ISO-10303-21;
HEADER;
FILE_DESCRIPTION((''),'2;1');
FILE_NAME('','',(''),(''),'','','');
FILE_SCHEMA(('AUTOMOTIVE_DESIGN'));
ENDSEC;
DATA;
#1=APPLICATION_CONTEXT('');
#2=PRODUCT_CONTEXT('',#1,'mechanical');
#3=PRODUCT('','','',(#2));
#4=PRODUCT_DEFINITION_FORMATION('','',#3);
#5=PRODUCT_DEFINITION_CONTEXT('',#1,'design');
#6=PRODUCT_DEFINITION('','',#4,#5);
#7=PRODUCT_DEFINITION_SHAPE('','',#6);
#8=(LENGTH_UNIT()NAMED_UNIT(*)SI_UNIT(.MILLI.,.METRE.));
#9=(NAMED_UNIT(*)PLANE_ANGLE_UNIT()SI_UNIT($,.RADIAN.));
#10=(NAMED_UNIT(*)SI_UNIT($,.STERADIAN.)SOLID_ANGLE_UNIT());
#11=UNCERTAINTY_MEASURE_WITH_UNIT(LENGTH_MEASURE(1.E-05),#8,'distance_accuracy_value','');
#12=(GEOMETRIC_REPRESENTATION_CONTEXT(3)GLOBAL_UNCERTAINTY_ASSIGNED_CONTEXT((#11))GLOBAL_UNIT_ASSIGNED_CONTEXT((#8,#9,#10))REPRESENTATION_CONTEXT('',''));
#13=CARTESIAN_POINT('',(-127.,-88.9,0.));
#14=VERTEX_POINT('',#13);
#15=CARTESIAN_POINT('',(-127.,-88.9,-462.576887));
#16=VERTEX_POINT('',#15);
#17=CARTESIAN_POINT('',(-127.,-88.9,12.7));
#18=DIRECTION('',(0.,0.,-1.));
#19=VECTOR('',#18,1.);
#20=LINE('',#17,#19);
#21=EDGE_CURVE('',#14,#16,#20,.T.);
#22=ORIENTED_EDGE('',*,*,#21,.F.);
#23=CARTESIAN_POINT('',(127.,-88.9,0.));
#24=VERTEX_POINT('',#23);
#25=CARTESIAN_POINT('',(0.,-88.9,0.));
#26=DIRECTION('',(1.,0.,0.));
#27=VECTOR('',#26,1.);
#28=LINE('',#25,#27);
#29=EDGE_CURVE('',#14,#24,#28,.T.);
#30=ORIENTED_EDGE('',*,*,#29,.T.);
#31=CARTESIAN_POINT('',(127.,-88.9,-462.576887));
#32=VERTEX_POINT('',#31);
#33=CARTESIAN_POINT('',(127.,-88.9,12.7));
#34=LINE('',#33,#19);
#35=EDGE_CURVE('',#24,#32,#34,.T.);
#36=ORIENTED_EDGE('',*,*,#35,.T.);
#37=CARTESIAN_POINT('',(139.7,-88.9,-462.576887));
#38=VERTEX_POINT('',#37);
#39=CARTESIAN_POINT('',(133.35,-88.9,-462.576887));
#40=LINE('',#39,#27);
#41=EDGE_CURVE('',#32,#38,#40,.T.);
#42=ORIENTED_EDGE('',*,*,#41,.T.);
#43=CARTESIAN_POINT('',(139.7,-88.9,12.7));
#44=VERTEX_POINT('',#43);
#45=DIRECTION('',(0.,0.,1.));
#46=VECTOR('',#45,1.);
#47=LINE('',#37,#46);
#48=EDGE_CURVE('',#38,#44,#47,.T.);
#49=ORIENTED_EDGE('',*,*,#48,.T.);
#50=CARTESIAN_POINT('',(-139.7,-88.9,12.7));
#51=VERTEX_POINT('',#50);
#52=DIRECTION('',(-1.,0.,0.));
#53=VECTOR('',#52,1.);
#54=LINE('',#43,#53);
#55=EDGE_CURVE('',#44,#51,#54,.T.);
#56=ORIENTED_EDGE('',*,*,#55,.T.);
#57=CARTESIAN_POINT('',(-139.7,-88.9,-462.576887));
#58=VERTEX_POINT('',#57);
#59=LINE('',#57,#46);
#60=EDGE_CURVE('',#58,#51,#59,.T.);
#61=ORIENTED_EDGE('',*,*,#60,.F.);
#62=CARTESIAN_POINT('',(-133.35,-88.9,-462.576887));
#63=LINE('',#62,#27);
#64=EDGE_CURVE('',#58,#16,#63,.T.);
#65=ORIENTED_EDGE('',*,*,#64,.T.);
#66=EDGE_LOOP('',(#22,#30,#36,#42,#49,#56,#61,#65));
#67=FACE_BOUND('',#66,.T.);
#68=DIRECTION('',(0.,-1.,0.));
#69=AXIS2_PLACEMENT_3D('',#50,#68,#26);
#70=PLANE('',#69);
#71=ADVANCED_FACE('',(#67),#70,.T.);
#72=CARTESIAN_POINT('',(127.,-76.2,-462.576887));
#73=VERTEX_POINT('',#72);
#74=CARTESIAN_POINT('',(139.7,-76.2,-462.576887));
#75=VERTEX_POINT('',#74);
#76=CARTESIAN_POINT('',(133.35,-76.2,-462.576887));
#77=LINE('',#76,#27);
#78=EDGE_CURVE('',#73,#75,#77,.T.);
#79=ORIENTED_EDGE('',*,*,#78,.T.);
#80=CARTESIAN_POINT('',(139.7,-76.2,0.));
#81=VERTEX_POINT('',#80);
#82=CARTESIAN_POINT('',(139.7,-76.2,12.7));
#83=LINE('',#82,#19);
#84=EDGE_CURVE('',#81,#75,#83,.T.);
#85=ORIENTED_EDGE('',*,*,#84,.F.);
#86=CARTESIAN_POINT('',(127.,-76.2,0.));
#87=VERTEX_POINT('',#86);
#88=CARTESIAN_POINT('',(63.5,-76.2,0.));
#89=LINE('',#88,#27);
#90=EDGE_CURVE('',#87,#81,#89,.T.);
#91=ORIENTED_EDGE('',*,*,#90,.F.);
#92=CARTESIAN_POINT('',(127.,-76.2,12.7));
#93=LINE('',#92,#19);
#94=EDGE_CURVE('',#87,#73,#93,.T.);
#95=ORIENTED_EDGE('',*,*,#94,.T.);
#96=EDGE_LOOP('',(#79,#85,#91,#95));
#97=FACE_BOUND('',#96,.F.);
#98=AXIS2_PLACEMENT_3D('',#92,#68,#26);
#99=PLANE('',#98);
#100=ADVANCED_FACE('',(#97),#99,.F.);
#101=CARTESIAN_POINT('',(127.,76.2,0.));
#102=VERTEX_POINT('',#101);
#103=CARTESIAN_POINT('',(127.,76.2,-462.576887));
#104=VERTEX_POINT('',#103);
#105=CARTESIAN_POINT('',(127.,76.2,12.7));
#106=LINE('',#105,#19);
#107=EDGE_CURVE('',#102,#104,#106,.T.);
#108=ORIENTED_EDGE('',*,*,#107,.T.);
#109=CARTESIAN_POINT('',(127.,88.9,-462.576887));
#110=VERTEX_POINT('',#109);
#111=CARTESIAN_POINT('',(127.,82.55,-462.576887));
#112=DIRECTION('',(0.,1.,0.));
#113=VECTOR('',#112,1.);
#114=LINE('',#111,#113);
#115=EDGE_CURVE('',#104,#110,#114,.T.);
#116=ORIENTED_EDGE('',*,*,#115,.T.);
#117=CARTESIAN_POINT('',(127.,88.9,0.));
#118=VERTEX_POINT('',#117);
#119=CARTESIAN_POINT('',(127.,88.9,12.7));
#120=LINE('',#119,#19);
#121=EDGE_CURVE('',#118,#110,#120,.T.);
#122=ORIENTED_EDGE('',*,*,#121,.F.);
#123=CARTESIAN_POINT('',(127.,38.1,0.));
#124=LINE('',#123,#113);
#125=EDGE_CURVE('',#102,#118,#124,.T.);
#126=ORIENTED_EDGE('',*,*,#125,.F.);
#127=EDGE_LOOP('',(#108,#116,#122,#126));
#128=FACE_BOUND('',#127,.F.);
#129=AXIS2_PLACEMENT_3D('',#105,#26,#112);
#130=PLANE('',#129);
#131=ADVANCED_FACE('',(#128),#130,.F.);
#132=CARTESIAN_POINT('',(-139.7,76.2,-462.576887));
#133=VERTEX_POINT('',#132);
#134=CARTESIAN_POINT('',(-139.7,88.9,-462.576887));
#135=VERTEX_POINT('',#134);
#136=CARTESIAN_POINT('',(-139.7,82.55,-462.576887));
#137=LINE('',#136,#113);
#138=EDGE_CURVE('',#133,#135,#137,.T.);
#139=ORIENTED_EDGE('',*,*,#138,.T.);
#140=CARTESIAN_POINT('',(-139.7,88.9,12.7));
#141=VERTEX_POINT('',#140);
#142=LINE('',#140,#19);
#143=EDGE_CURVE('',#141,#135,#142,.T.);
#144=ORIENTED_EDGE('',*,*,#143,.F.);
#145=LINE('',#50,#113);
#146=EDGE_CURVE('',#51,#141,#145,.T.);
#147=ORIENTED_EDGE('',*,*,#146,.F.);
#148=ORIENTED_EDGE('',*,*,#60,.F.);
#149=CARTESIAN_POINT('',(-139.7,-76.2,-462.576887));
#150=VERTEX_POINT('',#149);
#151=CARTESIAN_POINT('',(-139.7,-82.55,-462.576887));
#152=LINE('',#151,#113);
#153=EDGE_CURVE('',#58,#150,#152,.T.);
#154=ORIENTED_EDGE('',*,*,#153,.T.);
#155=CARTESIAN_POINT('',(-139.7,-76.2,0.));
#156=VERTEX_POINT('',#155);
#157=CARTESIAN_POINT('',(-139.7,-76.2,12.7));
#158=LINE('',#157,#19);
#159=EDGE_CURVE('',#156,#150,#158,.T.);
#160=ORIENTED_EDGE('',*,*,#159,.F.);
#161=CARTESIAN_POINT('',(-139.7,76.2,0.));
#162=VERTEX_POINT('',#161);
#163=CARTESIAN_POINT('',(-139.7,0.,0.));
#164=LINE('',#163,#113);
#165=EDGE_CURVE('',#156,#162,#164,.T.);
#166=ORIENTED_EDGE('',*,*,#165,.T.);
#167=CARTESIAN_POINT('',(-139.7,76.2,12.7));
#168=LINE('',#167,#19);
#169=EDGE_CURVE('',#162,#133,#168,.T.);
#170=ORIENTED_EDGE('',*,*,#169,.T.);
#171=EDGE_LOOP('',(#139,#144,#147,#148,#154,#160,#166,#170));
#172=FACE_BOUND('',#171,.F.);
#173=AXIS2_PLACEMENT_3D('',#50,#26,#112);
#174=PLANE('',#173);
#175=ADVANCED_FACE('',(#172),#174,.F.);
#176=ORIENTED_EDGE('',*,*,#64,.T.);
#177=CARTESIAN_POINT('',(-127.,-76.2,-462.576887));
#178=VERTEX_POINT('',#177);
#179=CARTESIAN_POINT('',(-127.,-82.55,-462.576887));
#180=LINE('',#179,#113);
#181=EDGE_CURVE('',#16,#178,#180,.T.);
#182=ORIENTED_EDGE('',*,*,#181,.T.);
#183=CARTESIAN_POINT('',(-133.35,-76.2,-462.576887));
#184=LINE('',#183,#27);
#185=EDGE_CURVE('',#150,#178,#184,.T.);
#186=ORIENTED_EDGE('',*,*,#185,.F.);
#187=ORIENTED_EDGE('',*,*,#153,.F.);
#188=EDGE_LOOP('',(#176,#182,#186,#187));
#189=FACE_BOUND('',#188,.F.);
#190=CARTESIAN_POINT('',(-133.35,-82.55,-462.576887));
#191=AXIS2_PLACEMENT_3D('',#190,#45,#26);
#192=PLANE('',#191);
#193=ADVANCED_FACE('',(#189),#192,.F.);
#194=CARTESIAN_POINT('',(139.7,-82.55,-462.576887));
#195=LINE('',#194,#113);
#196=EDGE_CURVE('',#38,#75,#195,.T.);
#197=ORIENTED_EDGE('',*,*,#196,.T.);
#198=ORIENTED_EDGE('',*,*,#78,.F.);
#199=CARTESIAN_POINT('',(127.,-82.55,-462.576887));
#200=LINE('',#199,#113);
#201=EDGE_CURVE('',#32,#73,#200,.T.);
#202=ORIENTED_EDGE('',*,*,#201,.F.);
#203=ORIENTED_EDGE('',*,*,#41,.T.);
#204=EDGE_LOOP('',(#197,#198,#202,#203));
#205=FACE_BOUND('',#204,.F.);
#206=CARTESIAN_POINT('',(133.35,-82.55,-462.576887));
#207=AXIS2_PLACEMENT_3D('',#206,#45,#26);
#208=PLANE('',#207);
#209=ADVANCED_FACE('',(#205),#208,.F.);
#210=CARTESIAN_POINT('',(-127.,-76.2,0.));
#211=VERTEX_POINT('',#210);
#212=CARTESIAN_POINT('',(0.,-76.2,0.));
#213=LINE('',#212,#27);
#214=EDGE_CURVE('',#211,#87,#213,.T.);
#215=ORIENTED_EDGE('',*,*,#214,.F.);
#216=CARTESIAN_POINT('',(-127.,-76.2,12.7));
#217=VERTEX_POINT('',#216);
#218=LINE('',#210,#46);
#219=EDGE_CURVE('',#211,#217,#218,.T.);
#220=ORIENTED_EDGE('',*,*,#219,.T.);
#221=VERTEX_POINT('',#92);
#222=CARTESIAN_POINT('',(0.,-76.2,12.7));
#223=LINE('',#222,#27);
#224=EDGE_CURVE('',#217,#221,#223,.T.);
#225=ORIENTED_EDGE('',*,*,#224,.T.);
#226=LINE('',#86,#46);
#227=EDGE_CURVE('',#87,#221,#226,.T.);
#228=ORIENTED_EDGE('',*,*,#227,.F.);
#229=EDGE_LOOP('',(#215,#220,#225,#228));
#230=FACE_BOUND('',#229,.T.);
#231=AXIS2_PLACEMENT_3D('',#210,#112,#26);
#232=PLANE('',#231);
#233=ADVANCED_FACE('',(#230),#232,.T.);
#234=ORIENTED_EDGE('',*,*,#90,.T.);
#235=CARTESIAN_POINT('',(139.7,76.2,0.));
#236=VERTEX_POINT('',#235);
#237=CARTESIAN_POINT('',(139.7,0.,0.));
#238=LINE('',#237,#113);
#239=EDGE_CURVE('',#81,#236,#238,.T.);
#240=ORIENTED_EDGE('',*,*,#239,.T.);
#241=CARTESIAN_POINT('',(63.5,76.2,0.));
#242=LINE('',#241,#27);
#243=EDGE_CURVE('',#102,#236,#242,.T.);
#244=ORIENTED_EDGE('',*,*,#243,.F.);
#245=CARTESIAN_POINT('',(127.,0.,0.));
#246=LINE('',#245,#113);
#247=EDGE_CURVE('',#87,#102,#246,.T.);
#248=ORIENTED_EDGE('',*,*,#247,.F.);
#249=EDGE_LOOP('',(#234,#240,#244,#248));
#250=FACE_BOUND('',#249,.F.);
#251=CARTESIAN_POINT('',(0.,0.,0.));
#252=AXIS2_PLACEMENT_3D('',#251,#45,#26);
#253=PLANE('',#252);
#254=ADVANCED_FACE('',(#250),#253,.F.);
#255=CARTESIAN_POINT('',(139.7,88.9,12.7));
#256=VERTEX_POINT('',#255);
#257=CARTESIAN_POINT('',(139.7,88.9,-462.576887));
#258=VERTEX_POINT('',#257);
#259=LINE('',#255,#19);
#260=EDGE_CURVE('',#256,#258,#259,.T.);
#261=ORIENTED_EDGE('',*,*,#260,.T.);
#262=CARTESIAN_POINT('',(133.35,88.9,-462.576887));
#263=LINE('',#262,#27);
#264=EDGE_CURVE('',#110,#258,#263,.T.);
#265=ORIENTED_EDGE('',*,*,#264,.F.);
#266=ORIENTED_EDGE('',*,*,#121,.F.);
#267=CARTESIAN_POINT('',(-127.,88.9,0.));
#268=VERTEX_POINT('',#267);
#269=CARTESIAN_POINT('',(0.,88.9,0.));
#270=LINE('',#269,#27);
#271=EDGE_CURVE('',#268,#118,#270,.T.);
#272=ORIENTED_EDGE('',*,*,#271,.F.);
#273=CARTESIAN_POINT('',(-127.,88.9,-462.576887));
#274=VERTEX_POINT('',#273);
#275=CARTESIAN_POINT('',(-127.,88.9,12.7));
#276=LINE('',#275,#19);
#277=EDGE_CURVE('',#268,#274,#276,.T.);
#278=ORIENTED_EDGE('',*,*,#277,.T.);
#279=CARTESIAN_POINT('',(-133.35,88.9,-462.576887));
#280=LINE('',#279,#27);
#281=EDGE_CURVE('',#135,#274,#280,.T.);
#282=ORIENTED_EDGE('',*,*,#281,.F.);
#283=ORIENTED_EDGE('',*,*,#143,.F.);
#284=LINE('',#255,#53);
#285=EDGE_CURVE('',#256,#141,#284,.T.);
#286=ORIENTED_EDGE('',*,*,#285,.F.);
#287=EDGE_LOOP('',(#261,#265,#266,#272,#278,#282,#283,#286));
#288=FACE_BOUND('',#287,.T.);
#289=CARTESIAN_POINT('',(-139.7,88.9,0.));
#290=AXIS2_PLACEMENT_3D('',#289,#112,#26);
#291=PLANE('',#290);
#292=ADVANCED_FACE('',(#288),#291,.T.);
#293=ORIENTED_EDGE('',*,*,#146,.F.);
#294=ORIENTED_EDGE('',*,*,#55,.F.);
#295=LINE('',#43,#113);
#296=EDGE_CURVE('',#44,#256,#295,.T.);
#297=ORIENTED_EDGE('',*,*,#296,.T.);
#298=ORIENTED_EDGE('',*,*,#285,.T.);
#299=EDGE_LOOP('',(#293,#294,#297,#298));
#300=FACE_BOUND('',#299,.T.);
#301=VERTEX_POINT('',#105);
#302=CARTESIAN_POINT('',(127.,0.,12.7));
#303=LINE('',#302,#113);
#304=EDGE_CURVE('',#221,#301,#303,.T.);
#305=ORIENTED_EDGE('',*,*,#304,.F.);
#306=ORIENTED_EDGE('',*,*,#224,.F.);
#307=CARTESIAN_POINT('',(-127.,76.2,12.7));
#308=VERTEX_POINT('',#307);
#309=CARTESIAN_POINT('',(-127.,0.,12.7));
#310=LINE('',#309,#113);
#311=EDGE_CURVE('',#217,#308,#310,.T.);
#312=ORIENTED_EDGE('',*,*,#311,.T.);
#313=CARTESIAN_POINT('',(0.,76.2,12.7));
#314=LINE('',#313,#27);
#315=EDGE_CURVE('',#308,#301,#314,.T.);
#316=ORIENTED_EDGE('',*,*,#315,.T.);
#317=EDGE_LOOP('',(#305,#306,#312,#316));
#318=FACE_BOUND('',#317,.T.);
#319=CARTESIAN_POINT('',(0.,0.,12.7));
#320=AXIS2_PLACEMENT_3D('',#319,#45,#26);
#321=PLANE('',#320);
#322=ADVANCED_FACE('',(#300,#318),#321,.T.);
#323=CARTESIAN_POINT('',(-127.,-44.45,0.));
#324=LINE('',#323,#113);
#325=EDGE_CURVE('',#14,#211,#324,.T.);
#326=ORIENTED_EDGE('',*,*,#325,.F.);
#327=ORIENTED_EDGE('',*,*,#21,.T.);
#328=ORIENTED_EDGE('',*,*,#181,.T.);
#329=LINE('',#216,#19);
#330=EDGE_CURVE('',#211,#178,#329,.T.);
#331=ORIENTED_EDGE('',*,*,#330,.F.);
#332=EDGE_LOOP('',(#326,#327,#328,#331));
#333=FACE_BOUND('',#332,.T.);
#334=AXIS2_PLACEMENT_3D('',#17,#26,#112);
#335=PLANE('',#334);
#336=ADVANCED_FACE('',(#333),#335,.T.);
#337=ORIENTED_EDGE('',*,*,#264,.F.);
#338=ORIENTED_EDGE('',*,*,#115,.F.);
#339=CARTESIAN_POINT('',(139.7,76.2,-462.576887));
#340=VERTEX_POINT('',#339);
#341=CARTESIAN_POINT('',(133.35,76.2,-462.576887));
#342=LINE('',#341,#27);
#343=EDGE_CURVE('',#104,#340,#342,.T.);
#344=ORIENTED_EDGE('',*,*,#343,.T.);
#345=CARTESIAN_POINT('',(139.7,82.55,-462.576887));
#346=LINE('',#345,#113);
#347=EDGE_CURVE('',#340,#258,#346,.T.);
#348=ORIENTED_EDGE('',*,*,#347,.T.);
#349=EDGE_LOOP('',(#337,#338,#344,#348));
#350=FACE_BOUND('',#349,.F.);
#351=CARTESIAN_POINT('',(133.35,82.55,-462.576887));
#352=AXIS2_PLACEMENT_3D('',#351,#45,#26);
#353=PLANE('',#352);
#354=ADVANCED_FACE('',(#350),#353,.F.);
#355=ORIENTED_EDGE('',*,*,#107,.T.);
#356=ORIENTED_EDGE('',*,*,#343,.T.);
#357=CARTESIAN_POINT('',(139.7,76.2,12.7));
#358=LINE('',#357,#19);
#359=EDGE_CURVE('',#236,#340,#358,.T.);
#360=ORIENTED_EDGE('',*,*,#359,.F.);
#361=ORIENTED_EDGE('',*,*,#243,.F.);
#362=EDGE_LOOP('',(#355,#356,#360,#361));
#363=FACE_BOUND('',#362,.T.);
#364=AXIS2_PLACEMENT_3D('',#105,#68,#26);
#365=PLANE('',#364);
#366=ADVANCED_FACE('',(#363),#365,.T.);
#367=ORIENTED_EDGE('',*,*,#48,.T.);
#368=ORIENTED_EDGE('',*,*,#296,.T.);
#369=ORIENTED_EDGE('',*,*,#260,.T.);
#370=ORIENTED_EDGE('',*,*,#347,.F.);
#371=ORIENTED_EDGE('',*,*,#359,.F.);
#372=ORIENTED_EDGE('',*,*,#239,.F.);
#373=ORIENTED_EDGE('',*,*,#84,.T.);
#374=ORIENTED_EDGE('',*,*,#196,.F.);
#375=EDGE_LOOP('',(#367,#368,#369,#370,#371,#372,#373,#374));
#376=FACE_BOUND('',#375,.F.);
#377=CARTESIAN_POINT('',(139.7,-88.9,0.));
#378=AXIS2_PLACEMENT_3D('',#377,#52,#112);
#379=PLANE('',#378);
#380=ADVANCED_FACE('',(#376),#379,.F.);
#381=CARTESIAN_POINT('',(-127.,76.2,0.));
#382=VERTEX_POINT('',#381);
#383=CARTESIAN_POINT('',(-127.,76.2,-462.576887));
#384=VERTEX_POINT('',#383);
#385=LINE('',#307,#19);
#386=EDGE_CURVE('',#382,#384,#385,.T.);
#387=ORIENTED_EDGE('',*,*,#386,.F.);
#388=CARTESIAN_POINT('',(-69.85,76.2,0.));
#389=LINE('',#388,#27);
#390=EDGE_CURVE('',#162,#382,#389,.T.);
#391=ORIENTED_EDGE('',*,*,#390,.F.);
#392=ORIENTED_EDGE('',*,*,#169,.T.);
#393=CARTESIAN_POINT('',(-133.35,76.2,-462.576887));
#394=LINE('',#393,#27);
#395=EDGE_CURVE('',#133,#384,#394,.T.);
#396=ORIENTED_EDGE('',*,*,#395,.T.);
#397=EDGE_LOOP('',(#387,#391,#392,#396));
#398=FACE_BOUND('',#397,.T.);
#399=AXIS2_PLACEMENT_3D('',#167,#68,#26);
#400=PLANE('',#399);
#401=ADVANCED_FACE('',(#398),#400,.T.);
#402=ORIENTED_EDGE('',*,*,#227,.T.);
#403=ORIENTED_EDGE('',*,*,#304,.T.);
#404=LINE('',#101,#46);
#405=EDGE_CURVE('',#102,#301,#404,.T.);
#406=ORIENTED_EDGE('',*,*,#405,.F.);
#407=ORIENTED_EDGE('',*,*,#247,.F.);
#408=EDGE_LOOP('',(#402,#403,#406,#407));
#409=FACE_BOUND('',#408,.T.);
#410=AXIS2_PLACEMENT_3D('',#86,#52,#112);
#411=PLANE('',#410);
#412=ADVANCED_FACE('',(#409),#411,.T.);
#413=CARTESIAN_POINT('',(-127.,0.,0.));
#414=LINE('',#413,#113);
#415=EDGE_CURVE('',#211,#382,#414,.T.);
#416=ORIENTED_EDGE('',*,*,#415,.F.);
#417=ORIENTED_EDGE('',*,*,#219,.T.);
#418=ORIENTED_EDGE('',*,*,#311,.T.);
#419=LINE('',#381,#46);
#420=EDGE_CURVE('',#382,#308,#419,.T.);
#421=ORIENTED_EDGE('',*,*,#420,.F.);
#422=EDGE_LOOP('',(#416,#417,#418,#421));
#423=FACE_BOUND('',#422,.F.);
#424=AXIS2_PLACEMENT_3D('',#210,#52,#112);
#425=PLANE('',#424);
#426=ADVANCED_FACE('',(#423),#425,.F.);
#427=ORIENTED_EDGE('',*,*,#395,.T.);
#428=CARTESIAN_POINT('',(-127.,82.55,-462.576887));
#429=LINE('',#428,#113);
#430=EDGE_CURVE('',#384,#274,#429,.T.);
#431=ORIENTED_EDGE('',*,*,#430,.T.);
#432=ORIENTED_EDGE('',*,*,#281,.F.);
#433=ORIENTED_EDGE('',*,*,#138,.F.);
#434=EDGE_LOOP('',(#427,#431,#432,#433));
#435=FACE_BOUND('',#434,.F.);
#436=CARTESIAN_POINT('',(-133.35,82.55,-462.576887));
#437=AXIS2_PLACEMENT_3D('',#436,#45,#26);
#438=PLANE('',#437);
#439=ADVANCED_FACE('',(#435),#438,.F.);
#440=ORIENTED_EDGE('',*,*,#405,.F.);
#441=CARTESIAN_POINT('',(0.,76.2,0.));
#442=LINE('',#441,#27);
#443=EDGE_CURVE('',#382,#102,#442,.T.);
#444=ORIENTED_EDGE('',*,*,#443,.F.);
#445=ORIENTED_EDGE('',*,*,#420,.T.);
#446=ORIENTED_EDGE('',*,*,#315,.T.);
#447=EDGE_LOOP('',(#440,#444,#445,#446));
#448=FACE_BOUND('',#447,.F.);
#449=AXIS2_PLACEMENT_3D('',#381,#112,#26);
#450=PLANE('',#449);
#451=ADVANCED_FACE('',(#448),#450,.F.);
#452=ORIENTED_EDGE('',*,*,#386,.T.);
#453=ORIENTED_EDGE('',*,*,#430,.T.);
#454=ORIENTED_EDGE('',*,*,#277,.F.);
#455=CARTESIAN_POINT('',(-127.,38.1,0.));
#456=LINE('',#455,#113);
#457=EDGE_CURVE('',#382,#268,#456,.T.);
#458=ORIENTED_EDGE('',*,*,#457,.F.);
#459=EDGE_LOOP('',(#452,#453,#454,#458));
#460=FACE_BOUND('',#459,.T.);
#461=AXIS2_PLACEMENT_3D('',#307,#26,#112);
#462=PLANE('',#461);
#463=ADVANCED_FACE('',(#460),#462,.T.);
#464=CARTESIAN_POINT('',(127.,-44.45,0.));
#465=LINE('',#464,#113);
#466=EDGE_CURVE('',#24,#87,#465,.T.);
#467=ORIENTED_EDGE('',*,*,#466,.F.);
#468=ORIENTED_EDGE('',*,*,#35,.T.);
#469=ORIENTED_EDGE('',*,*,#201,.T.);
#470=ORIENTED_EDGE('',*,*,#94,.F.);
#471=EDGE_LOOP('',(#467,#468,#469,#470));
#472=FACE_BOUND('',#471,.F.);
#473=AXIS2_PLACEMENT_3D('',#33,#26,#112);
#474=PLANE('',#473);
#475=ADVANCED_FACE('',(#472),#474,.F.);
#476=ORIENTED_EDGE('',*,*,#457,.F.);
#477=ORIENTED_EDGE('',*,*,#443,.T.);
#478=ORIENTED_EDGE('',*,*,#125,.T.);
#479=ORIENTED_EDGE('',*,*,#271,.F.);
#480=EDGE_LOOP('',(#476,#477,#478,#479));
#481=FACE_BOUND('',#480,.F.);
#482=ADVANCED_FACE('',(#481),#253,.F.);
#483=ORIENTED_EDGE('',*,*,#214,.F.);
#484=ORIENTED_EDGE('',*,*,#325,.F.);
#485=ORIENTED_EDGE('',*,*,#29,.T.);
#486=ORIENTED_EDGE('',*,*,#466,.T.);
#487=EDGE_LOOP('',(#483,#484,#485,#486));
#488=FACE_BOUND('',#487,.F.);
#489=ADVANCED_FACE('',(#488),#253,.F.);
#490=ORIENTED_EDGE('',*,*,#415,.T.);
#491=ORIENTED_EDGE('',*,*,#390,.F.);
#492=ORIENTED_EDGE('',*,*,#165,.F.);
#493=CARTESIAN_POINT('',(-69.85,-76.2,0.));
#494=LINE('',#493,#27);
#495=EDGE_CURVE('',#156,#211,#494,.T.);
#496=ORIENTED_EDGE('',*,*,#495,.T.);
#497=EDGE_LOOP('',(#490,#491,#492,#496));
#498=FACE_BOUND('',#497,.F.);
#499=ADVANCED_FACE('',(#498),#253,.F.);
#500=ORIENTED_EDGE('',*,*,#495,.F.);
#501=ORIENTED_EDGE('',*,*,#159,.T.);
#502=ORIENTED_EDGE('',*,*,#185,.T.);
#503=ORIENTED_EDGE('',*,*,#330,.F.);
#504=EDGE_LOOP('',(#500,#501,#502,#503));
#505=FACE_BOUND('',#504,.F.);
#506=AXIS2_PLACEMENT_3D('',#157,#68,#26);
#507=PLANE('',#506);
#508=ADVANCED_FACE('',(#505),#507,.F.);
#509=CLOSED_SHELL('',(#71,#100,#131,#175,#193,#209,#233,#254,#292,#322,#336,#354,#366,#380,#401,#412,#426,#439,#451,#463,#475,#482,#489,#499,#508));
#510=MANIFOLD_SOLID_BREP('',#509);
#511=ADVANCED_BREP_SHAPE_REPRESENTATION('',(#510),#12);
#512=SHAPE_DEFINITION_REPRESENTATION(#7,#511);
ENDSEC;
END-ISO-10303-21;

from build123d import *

# Parameters (mm, degrees)
F0_W     = 279.4
F0_H     = 177.8
F0_W_2   = 254
F0_H_2   = 152.4
F1_DEPTH = 12.7
F2_W     = 12.7
F2_H     = 12.7
F3_DEPTH = 475.276887


with BuildPart() as f1:
    # F0 (on Top) → F1 (new body)
    with BuildSketch(Plane.XY):
        Rectangle(F0_W, F0_H)
        Rectangle(F0_W_2, F0_H_2, mode=Mode.SUBTRACT)
    extrude(amount=F1_DEPTH)

    # F2 (on face) → F3 (join)
    with BuildSketch(Plane.XY.offset(12.7)):
        with Locations((-133.35, -82.55)):
            Rectangle(F2_W, F2_H)
        with Locations((-133.35, 82.55)):
            Rectangle(F2_W, F2_H)
        with Locations((133.35, -82.55)):
            Rectangle(F2_W, F2_H)
        with Locations((133.35, 82.55)):
            Rectangle(F2_W, F2_H)
    extrude(amount=-F3_DEPTH)


solid = f1.part
